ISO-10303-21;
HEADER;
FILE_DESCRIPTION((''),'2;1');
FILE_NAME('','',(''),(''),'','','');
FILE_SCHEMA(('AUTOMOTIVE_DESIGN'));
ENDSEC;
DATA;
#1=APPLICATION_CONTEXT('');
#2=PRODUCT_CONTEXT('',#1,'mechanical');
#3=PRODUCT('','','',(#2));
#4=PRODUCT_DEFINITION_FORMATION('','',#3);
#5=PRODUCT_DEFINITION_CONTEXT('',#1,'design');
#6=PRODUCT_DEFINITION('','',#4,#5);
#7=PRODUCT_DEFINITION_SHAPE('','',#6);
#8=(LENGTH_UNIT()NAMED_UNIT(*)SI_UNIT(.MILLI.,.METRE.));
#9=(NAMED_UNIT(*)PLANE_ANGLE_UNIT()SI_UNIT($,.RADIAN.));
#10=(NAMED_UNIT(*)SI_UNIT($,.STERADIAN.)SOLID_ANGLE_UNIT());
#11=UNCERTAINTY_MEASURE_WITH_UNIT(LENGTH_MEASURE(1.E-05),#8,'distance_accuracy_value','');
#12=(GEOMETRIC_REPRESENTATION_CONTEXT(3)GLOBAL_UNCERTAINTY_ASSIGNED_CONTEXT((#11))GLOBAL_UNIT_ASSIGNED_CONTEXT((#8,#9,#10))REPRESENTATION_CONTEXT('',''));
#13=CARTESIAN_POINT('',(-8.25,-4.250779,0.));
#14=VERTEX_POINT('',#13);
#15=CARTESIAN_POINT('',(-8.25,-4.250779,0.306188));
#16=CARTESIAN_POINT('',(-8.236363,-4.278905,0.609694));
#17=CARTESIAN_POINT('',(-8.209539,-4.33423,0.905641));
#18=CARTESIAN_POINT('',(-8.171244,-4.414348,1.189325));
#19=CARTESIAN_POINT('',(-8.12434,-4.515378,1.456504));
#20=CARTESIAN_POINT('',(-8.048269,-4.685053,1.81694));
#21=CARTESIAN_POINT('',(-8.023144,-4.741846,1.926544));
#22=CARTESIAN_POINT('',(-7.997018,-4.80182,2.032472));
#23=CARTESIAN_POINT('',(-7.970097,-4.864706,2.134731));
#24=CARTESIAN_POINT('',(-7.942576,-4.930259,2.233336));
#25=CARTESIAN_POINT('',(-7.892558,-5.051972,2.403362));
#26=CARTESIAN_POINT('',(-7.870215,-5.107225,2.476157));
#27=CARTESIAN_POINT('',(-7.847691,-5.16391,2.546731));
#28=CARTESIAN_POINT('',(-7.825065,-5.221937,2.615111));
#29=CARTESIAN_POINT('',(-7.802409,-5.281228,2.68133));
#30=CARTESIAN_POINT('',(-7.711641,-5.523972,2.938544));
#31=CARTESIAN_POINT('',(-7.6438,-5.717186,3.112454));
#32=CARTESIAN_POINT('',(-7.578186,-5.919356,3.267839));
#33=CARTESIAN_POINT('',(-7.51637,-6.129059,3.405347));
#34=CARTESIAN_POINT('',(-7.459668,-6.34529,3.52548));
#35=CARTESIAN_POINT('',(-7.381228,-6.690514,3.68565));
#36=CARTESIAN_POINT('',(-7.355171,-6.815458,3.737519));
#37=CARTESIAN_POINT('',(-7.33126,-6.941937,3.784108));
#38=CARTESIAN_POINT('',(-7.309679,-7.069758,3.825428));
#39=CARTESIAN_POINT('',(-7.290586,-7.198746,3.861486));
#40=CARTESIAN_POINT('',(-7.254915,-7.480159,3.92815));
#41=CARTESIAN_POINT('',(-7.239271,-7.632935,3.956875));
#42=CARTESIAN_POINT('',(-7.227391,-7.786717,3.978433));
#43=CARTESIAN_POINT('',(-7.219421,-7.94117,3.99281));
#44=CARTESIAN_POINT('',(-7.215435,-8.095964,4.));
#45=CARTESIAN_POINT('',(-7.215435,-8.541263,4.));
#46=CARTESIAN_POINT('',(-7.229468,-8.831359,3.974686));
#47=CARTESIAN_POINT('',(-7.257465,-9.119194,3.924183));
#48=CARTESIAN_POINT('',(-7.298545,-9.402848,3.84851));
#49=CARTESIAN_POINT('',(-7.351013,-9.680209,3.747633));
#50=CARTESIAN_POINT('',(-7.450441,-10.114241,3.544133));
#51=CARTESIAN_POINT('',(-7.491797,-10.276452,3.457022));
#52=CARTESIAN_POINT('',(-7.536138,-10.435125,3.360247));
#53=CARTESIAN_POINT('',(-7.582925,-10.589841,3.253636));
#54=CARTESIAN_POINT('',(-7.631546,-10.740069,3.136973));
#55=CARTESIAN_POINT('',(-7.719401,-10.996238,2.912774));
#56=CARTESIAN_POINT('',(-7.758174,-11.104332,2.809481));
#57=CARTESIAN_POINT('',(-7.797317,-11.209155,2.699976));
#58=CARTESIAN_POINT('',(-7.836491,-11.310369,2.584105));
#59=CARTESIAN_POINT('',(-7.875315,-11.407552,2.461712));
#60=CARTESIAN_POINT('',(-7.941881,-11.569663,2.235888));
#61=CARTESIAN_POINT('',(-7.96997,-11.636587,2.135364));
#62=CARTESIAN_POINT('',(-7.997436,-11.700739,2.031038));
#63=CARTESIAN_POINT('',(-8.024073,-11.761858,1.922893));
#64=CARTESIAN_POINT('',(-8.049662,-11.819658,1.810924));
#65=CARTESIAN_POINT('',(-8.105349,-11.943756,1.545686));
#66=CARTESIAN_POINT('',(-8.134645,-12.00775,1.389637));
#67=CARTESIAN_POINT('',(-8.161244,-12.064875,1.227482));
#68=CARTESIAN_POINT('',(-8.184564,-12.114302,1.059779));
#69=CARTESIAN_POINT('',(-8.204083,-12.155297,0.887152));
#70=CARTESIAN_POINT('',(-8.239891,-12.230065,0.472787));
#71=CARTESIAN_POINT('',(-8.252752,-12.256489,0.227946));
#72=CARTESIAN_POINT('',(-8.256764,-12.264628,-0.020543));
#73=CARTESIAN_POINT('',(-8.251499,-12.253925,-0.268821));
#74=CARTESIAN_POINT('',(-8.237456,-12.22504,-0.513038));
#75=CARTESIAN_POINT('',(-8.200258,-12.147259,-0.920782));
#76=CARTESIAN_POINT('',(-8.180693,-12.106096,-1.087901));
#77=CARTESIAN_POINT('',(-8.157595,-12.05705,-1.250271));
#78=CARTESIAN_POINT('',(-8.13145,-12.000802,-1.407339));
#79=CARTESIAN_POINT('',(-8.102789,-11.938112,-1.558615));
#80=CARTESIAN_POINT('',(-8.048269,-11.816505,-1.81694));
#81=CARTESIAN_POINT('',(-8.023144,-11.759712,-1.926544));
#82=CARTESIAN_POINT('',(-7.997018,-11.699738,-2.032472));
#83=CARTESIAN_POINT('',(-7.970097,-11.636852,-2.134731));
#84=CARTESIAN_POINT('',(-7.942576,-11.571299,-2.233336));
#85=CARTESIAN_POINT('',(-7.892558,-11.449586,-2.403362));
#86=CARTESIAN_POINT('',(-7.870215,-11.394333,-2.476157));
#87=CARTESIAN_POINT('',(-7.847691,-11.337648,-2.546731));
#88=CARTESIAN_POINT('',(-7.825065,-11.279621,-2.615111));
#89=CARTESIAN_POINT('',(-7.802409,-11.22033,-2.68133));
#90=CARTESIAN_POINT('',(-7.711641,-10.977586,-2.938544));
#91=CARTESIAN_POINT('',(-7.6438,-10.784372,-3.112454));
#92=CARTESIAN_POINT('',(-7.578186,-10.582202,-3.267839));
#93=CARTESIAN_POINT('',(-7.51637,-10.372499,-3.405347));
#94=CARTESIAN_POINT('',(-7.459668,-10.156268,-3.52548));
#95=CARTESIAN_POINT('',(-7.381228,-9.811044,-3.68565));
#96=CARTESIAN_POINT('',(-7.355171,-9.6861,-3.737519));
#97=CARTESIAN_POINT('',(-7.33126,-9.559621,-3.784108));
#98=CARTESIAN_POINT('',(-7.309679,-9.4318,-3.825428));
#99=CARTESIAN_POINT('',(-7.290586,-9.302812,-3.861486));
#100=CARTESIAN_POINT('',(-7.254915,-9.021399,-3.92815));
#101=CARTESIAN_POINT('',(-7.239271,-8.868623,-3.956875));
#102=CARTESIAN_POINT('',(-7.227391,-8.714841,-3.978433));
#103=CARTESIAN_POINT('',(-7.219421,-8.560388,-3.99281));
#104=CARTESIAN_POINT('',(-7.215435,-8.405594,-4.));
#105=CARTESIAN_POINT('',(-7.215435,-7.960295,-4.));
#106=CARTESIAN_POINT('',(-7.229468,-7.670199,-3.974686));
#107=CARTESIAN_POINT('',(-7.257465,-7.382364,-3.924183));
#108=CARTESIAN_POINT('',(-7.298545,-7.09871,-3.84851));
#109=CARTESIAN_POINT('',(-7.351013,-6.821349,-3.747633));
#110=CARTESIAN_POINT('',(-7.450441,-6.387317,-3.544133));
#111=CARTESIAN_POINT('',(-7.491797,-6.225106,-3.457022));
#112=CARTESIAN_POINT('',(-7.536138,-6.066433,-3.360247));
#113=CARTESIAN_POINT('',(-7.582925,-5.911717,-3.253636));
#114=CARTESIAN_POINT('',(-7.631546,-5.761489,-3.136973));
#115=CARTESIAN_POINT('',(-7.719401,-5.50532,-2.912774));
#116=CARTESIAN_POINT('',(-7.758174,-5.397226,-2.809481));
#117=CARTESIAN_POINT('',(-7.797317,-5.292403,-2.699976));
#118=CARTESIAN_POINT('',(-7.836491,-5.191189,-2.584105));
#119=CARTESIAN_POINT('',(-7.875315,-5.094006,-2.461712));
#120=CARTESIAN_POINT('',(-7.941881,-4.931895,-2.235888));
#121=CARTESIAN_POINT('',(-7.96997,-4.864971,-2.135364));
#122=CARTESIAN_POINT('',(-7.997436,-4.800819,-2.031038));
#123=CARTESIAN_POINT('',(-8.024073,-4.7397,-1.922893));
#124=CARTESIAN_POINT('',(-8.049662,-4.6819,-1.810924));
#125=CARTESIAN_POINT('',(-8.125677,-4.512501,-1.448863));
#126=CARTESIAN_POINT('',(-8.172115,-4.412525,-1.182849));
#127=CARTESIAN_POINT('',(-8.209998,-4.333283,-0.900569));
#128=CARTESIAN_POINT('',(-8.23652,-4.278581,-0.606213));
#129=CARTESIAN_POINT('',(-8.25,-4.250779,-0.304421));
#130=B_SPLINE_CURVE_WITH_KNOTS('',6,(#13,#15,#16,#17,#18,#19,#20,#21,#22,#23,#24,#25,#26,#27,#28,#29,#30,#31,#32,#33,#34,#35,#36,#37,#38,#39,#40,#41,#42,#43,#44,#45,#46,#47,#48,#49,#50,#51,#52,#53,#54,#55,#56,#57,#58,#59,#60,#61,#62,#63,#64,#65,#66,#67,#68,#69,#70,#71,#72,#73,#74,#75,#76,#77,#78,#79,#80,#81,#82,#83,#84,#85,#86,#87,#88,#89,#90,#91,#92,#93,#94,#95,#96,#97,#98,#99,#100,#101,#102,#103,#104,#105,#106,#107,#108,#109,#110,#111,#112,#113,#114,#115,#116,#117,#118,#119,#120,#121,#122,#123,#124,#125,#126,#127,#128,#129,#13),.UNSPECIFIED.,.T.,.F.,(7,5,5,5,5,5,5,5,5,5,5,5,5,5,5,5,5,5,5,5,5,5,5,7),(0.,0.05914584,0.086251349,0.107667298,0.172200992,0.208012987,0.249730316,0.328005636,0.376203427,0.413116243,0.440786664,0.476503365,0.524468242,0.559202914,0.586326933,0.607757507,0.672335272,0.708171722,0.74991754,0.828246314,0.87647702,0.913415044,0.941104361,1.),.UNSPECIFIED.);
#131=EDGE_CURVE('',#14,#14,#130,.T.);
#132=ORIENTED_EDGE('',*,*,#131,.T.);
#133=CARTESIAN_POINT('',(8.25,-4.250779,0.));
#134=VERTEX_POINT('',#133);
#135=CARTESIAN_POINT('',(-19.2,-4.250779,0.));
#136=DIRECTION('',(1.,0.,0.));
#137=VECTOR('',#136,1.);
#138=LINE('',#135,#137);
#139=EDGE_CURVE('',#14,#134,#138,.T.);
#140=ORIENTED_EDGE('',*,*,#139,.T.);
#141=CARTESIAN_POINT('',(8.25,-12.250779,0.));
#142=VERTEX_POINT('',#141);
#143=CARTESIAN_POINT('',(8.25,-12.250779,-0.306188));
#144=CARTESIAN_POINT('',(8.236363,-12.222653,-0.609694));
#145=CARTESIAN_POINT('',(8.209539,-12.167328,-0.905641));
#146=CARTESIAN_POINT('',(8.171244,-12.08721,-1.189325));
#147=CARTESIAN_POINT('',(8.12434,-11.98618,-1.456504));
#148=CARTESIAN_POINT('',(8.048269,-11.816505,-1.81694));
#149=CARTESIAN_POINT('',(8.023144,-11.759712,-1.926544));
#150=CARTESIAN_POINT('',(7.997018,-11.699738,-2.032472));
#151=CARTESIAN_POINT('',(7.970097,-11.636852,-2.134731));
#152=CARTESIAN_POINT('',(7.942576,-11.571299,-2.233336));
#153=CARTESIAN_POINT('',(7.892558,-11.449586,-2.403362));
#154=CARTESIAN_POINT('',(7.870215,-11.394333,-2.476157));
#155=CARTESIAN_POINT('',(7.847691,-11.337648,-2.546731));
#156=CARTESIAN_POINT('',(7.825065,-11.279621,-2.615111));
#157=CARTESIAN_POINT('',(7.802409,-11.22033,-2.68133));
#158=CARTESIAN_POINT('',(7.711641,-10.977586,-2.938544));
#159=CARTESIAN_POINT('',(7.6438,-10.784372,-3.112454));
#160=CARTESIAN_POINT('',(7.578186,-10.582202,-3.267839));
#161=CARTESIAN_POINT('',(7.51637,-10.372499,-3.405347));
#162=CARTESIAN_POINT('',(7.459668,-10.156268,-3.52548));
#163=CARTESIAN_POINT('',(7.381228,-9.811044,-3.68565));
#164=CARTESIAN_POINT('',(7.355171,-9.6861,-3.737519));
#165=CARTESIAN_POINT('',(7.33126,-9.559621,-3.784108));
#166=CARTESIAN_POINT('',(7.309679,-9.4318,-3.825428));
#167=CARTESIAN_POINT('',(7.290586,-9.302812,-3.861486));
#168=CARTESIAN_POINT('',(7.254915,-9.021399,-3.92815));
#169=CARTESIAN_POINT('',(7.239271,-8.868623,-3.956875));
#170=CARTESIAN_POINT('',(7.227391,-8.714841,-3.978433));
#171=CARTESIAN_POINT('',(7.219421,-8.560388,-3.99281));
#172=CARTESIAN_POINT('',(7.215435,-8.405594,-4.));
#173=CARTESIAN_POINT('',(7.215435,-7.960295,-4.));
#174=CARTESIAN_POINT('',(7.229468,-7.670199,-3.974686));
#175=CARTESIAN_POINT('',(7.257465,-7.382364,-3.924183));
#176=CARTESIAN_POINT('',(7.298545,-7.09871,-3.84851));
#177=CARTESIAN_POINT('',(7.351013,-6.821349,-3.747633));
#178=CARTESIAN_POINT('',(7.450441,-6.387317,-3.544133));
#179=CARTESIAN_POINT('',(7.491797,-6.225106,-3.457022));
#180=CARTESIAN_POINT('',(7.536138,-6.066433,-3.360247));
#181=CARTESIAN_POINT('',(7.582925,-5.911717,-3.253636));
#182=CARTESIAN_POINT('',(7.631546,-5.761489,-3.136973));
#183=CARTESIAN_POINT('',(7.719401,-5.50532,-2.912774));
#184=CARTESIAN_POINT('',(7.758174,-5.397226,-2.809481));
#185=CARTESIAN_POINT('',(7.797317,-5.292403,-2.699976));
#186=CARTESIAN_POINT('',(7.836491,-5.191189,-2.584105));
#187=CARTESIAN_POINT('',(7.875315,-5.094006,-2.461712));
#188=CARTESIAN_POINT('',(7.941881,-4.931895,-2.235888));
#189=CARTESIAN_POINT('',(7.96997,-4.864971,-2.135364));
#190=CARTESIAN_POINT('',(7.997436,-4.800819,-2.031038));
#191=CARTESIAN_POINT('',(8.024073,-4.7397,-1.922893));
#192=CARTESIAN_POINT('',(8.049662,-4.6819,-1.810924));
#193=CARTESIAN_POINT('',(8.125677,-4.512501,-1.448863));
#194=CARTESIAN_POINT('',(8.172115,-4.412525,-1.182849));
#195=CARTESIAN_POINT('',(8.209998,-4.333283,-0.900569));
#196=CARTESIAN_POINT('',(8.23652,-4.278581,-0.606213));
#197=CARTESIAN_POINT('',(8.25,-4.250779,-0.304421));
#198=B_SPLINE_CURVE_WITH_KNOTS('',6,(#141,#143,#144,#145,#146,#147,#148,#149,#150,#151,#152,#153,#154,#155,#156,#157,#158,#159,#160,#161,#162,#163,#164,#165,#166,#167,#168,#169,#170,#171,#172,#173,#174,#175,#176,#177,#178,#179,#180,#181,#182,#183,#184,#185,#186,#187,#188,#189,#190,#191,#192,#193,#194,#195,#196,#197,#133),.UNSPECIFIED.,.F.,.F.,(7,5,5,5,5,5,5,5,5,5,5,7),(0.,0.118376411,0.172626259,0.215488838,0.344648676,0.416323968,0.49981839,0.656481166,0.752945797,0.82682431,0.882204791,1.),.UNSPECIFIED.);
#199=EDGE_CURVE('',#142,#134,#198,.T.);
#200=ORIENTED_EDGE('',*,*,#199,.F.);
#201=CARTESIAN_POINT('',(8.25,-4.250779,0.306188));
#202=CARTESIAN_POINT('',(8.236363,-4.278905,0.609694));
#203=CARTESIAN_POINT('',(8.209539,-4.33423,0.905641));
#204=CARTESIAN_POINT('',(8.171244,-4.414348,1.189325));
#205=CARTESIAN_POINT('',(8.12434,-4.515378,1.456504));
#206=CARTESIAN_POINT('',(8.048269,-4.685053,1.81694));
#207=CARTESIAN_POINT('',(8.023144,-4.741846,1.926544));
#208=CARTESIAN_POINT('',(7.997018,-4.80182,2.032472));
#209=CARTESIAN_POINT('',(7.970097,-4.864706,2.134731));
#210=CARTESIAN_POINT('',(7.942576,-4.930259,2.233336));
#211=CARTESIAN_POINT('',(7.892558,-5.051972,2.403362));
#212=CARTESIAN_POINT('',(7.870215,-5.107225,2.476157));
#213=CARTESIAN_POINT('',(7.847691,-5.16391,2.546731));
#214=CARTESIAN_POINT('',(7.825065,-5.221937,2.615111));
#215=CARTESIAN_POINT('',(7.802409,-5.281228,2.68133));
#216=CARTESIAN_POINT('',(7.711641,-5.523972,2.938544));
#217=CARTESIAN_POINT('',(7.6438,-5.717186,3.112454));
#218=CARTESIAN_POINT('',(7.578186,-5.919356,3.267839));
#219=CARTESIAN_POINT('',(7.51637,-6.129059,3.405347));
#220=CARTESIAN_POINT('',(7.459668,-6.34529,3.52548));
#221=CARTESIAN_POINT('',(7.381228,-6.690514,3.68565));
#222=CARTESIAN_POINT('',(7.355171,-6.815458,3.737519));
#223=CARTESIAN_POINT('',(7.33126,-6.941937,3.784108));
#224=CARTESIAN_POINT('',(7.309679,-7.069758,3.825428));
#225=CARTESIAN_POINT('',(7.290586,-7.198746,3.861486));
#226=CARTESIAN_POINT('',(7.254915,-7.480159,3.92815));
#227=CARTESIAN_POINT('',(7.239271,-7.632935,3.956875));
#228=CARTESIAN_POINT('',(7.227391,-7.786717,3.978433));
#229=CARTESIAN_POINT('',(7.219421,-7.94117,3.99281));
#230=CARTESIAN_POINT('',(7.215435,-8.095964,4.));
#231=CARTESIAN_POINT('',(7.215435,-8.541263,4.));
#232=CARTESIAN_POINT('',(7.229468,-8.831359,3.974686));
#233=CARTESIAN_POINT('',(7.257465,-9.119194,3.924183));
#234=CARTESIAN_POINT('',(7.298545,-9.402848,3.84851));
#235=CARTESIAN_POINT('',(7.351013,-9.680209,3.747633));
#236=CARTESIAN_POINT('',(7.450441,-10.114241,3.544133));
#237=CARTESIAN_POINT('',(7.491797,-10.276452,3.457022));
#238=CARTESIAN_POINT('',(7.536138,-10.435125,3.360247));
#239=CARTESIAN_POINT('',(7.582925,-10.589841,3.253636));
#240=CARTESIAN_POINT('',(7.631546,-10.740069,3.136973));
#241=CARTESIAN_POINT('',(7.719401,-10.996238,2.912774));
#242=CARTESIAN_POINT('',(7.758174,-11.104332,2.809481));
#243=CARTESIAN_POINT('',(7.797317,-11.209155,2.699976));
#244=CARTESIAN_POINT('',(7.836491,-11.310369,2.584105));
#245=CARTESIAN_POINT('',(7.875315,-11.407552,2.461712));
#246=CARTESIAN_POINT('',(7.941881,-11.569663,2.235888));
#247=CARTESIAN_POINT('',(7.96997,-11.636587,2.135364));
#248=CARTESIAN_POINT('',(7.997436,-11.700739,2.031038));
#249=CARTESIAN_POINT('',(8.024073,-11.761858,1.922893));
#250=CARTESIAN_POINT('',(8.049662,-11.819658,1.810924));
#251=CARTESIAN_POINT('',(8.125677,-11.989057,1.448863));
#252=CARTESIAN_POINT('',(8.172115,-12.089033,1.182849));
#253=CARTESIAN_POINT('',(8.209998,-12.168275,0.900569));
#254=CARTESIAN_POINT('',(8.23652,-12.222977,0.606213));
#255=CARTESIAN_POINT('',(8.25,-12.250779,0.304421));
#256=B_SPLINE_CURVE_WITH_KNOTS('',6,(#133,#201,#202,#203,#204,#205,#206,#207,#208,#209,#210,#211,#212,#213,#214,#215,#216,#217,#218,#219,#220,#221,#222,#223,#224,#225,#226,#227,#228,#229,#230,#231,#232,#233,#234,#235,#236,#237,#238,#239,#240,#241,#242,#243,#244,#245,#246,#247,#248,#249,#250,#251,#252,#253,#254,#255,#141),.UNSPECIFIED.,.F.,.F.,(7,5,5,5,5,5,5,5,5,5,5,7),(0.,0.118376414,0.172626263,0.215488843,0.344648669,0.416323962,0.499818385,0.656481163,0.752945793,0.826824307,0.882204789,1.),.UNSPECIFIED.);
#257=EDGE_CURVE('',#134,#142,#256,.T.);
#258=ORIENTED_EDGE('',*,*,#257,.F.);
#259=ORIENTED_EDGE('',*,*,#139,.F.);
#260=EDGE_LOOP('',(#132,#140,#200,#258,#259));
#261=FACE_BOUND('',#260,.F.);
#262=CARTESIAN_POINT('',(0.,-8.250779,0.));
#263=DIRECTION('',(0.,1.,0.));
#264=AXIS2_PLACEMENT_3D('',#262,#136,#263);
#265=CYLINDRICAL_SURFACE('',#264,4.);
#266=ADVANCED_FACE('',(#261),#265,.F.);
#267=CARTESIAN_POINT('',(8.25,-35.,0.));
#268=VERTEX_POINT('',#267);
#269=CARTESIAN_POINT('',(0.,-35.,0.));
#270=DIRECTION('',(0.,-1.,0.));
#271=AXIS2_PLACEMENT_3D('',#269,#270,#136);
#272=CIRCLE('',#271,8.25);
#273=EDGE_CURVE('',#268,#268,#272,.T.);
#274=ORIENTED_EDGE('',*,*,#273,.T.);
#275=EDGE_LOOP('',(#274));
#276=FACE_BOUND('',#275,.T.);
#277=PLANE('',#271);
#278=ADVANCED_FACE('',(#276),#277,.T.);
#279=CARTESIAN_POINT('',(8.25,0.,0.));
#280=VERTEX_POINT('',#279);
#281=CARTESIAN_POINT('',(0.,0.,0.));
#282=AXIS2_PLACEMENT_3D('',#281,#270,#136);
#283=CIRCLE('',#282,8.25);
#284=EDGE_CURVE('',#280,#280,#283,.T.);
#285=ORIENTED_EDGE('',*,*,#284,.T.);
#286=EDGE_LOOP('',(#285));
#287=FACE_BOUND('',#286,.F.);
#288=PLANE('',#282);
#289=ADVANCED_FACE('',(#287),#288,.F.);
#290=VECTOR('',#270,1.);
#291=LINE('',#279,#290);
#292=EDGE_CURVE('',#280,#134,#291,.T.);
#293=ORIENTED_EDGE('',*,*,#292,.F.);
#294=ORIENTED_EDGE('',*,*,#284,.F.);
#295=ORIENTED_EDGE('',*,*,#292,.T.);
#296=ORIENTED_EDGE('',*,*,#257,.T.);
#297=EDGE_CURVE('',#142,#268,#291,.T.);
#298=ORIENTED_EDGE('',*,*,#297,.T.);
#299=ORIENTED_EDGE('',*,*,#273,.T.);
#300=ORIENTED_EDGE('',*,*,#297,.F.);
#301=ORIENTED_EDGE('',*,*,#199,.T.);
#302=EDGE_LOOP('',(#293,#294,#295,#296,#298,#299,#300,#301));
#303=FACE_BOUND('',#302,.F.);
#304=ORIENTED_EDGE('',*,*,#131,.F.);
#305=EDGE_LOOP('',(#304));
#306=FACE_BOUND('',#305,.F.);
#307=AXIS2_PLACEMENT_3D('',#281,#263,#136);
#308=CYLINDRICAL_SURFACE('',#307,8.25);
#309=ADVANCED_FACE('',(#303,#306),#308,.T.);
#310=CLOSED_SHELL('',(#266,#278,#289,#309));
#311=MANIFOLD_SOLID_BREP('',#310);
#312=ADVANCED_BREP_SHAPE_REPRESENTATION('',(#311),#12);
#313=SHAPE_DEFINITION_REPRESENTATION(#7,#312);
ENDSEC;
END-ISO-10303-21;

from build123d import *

# Parameters (mm, degrees)
F0_R     = 8.25
F1_DEPTH = 35
F2_R     = 4
F3_DEPTH = 19.2


with BuildPart() as f1:
    # F0 (on Front) → F1 (new body)
    with BuildSketch(Plane.XZ):
        Circle(F0_R)
    extrude(amount=F1_DEPTH)

    # F2 (on Right) → F3 (cut, symmetric)
    with BuildSketch(Plane.YZ):
        with Locations((-8.250779, 0)):
            Circle(F2_R)
    extrude(amount=F3_DEPTH, both=True, mode=Mode.SUBTRACT)


solid = f1.part
